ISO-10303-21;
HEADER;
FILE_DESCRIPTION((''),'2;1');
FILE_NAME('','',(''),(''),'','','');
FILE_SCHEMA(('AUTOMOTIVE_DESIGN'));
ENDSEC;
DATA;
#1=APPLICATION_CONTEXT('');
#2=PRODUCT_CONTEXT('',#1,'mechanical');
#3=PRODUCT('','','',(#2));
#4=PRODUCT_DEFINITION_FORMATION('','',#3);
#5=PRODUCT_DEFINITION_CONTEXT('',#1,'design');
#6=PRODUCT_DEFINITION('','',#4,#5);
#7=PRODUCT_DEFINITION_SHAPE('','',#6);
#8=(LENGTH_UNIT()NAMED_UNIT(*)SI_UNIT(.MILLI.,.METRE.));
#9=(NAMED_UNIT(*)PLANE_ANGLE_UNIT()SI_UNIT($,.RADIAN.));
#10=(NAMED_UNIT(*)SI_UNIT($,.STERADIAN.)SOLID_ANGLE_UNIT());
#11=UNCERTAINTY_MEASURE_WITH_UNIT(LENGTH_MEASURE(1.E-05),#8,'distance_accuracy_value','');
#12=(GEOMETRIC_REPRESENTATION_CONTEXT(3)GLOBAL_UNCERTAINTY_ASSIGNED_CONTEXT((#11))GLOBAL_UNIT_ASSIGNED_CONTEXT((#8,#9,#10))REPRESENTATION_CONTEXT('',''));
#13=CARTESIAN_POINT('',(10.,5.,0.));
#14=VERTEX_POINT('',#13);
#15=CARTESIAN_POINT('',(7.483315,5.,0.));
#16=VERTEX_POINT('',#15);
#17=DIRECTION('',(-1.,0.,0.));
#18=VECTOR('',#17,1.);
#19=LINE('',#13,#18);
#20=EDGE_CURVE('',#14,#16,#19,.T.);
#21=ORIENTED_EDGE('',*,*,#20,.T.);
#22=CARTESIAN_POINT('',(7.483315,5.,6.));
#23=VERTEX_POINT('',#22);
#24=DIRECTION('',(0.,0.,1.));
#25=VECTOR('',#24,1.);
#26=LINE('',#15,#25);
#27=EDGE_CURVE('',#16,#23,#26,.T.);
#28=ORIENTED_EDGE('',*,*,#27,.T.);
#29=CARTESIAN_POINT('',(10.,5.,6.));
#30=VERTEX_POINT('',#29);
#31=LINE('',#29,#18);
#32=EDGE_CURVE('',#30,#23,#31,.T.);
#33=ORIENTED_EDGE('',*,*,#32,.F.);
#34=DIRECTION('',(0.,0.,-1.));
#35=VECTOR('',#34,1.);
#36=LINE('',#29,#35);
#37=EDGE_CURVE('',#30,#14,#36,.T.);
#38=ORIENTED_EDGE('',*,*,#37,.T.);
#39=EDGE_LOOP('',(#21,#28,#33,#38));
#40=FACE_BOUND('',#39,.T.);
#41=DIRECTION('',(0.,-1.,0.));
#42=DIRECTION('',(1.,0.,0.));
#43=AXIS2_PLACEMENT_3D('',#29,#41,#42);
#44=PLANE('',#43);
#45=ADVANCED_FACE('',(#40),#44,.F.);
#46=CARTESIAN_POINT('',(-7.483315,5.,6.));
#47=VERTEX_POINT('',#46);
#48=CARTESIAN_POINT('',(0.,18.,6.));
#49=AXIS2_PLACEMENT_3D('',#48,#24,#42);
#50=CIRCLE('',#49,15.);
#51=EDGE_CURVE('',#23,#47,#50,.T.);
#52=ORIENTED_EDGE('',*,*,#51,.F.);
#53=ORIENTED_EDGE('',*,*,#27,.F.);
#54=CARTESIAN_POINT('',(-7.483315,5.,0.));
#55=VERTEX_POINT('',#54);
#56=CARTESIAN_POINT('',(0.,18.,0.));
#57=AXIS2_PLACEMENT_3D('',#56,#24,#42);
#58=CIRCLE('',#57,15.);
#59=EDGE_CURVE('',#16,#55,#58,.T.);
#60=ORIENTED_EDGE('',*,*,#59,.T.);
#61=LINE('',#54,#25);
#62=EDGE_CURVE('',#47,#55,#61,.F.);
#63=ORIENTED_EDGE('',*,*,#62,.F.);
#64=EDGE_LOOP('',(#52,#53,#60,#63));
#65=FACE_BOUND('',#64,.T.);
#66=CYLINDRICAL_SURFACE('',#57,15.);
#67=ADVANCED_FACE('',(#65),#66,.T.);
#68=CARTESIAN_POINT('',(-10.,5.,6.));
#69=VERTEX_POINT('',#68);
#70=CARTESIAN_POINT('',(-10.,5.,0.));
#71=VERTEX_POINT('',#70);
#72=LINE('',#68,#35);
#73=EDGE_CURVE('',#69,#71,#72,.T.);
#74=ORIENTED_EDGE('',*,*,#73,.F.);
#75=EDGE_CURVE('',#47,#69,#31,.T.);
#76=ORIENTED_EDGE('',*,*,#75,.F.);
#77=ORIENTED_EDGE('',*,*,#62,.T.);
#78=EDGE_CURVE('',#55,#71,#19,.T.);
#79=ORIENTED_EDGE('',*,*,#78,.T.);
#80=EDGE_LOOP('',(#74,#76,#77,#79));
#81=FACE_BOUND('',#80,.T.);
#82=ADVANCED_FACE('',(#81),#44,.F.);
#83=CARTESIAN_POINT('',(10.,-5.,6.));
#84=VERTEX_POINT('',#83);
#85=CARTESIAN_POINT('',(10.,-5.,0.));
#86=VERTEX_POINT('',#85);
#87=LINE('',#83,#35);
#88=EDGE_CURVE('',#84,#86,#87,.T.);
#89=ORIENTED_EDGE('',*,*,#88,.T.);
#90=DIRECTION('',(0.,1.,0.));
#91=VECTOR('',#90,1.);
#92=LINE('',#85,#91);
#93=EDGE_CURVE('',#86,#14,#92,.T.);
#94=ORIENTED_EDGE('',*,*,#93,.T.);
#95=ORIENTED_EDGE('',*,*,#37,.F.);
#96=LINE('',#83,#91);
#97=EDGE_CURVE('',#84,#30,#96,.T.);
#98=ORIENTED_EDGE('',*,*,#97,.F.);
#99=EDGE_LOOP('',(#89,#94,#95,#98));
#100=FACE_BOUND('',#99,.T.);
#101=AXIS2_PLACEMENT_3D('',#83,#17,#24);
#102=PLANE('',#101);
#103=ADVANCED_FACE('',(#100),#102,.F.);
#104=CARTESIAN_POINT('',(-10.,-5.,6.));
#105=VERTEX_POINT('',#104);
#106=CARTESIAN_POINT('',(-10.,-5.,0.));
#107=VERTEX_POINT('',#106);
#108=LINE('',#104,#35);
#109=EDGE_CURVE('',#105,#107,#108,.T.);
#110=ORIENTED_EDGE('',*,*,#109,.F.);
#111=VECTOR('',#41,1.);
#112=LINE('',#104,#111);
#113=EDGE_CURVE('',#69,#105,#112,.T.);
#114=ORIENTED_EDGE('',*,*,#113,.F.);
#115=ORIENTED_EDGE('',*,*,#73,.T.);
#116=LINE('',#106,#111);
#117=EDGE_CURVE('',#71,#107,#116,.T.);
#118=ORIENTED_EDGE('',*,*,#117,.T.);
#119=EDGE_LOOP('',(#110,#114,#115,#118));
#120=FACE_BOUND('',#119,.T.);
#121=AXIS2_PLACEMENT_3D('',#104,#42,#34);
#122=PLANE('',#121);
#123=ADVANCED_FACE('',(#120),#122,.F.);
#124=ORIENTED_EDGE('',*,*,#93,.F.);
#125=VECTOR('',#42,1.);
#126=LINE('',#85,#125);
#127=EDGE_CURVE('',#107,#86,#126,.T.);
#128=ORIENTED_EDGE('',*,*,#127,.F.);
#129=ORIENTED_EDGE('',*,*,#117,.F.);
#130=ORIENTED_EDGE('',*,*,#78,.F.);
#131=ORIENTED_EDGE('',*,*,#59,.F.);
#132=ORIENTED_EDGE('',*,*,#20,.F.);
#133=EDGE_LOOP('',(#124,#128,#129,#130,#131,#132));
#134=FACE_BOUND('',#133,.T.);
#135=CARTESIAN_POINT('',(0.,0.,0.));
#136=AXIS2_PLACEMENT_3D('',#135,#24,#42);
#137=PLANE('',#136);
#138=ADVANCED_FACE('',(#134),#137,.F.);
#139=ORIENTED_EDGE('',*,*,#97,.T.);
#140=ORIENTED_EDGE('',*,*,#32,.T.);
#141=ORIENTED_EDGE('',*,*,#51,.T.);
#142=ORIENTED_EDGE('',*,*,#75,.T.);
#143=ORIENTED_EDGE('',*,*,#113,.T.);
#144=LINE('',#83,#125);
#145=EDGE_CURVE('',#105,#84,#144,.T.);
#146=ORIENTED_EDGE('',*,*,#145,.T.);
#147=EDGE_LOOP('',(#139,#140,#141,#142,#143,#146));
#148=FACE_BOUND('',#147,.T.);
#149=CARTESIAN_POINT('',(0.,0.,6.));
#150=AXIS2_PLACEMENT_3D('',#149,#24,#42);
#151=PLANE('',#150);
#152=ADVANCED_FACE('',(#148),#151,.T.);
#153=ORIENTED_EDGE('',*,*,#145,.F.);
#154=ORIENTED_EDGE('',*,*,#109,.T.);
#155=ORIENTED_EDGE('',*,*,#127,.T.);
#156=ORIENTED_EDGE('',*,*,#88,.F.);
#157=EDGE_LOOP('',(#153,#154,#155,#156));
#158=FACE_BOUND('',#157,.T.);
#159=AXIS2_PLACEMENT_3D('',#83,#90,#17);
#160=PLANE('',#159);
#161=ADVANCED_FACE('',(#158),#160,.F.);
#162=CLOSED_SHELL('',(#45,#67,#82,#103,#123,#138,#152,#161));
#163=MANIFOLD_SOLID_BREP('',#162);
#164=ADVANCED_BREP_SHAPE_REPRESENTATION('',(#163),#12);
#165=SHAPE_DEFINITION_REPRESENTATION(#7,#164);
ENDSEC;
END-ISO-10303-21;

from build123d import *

# Parameters (mm, degrees)
ESQUISSE1_W        = 20
ESQUISSE1_H        = 10
BOSS_EXTRU_1_DEPTH = 6
ESQUISSE2_R        = 15
BOSS_EXTRU_2_DEPTH = 6


with BuildPart() as part:
    # Esquisse1 → Boss.-Extru.1 (new body)
    with BuildSketch(Plane.XY):
        Rectangle(ESQUISSE1_W, ESQUISSE1_H)
    extrude(amount=BOSS_EXTRU_1_DEPTH)

    # Esquisse2 → Boss.-Extru.2 (add)
    with BuildSketch(Plane.XY.offset(6)):
        with Locations((0, 18)):
            Circle(ESQUISSE2_R)
    extrude(amount=-BOSS_EXTRU_2_DEPTH)


solid = part.part
